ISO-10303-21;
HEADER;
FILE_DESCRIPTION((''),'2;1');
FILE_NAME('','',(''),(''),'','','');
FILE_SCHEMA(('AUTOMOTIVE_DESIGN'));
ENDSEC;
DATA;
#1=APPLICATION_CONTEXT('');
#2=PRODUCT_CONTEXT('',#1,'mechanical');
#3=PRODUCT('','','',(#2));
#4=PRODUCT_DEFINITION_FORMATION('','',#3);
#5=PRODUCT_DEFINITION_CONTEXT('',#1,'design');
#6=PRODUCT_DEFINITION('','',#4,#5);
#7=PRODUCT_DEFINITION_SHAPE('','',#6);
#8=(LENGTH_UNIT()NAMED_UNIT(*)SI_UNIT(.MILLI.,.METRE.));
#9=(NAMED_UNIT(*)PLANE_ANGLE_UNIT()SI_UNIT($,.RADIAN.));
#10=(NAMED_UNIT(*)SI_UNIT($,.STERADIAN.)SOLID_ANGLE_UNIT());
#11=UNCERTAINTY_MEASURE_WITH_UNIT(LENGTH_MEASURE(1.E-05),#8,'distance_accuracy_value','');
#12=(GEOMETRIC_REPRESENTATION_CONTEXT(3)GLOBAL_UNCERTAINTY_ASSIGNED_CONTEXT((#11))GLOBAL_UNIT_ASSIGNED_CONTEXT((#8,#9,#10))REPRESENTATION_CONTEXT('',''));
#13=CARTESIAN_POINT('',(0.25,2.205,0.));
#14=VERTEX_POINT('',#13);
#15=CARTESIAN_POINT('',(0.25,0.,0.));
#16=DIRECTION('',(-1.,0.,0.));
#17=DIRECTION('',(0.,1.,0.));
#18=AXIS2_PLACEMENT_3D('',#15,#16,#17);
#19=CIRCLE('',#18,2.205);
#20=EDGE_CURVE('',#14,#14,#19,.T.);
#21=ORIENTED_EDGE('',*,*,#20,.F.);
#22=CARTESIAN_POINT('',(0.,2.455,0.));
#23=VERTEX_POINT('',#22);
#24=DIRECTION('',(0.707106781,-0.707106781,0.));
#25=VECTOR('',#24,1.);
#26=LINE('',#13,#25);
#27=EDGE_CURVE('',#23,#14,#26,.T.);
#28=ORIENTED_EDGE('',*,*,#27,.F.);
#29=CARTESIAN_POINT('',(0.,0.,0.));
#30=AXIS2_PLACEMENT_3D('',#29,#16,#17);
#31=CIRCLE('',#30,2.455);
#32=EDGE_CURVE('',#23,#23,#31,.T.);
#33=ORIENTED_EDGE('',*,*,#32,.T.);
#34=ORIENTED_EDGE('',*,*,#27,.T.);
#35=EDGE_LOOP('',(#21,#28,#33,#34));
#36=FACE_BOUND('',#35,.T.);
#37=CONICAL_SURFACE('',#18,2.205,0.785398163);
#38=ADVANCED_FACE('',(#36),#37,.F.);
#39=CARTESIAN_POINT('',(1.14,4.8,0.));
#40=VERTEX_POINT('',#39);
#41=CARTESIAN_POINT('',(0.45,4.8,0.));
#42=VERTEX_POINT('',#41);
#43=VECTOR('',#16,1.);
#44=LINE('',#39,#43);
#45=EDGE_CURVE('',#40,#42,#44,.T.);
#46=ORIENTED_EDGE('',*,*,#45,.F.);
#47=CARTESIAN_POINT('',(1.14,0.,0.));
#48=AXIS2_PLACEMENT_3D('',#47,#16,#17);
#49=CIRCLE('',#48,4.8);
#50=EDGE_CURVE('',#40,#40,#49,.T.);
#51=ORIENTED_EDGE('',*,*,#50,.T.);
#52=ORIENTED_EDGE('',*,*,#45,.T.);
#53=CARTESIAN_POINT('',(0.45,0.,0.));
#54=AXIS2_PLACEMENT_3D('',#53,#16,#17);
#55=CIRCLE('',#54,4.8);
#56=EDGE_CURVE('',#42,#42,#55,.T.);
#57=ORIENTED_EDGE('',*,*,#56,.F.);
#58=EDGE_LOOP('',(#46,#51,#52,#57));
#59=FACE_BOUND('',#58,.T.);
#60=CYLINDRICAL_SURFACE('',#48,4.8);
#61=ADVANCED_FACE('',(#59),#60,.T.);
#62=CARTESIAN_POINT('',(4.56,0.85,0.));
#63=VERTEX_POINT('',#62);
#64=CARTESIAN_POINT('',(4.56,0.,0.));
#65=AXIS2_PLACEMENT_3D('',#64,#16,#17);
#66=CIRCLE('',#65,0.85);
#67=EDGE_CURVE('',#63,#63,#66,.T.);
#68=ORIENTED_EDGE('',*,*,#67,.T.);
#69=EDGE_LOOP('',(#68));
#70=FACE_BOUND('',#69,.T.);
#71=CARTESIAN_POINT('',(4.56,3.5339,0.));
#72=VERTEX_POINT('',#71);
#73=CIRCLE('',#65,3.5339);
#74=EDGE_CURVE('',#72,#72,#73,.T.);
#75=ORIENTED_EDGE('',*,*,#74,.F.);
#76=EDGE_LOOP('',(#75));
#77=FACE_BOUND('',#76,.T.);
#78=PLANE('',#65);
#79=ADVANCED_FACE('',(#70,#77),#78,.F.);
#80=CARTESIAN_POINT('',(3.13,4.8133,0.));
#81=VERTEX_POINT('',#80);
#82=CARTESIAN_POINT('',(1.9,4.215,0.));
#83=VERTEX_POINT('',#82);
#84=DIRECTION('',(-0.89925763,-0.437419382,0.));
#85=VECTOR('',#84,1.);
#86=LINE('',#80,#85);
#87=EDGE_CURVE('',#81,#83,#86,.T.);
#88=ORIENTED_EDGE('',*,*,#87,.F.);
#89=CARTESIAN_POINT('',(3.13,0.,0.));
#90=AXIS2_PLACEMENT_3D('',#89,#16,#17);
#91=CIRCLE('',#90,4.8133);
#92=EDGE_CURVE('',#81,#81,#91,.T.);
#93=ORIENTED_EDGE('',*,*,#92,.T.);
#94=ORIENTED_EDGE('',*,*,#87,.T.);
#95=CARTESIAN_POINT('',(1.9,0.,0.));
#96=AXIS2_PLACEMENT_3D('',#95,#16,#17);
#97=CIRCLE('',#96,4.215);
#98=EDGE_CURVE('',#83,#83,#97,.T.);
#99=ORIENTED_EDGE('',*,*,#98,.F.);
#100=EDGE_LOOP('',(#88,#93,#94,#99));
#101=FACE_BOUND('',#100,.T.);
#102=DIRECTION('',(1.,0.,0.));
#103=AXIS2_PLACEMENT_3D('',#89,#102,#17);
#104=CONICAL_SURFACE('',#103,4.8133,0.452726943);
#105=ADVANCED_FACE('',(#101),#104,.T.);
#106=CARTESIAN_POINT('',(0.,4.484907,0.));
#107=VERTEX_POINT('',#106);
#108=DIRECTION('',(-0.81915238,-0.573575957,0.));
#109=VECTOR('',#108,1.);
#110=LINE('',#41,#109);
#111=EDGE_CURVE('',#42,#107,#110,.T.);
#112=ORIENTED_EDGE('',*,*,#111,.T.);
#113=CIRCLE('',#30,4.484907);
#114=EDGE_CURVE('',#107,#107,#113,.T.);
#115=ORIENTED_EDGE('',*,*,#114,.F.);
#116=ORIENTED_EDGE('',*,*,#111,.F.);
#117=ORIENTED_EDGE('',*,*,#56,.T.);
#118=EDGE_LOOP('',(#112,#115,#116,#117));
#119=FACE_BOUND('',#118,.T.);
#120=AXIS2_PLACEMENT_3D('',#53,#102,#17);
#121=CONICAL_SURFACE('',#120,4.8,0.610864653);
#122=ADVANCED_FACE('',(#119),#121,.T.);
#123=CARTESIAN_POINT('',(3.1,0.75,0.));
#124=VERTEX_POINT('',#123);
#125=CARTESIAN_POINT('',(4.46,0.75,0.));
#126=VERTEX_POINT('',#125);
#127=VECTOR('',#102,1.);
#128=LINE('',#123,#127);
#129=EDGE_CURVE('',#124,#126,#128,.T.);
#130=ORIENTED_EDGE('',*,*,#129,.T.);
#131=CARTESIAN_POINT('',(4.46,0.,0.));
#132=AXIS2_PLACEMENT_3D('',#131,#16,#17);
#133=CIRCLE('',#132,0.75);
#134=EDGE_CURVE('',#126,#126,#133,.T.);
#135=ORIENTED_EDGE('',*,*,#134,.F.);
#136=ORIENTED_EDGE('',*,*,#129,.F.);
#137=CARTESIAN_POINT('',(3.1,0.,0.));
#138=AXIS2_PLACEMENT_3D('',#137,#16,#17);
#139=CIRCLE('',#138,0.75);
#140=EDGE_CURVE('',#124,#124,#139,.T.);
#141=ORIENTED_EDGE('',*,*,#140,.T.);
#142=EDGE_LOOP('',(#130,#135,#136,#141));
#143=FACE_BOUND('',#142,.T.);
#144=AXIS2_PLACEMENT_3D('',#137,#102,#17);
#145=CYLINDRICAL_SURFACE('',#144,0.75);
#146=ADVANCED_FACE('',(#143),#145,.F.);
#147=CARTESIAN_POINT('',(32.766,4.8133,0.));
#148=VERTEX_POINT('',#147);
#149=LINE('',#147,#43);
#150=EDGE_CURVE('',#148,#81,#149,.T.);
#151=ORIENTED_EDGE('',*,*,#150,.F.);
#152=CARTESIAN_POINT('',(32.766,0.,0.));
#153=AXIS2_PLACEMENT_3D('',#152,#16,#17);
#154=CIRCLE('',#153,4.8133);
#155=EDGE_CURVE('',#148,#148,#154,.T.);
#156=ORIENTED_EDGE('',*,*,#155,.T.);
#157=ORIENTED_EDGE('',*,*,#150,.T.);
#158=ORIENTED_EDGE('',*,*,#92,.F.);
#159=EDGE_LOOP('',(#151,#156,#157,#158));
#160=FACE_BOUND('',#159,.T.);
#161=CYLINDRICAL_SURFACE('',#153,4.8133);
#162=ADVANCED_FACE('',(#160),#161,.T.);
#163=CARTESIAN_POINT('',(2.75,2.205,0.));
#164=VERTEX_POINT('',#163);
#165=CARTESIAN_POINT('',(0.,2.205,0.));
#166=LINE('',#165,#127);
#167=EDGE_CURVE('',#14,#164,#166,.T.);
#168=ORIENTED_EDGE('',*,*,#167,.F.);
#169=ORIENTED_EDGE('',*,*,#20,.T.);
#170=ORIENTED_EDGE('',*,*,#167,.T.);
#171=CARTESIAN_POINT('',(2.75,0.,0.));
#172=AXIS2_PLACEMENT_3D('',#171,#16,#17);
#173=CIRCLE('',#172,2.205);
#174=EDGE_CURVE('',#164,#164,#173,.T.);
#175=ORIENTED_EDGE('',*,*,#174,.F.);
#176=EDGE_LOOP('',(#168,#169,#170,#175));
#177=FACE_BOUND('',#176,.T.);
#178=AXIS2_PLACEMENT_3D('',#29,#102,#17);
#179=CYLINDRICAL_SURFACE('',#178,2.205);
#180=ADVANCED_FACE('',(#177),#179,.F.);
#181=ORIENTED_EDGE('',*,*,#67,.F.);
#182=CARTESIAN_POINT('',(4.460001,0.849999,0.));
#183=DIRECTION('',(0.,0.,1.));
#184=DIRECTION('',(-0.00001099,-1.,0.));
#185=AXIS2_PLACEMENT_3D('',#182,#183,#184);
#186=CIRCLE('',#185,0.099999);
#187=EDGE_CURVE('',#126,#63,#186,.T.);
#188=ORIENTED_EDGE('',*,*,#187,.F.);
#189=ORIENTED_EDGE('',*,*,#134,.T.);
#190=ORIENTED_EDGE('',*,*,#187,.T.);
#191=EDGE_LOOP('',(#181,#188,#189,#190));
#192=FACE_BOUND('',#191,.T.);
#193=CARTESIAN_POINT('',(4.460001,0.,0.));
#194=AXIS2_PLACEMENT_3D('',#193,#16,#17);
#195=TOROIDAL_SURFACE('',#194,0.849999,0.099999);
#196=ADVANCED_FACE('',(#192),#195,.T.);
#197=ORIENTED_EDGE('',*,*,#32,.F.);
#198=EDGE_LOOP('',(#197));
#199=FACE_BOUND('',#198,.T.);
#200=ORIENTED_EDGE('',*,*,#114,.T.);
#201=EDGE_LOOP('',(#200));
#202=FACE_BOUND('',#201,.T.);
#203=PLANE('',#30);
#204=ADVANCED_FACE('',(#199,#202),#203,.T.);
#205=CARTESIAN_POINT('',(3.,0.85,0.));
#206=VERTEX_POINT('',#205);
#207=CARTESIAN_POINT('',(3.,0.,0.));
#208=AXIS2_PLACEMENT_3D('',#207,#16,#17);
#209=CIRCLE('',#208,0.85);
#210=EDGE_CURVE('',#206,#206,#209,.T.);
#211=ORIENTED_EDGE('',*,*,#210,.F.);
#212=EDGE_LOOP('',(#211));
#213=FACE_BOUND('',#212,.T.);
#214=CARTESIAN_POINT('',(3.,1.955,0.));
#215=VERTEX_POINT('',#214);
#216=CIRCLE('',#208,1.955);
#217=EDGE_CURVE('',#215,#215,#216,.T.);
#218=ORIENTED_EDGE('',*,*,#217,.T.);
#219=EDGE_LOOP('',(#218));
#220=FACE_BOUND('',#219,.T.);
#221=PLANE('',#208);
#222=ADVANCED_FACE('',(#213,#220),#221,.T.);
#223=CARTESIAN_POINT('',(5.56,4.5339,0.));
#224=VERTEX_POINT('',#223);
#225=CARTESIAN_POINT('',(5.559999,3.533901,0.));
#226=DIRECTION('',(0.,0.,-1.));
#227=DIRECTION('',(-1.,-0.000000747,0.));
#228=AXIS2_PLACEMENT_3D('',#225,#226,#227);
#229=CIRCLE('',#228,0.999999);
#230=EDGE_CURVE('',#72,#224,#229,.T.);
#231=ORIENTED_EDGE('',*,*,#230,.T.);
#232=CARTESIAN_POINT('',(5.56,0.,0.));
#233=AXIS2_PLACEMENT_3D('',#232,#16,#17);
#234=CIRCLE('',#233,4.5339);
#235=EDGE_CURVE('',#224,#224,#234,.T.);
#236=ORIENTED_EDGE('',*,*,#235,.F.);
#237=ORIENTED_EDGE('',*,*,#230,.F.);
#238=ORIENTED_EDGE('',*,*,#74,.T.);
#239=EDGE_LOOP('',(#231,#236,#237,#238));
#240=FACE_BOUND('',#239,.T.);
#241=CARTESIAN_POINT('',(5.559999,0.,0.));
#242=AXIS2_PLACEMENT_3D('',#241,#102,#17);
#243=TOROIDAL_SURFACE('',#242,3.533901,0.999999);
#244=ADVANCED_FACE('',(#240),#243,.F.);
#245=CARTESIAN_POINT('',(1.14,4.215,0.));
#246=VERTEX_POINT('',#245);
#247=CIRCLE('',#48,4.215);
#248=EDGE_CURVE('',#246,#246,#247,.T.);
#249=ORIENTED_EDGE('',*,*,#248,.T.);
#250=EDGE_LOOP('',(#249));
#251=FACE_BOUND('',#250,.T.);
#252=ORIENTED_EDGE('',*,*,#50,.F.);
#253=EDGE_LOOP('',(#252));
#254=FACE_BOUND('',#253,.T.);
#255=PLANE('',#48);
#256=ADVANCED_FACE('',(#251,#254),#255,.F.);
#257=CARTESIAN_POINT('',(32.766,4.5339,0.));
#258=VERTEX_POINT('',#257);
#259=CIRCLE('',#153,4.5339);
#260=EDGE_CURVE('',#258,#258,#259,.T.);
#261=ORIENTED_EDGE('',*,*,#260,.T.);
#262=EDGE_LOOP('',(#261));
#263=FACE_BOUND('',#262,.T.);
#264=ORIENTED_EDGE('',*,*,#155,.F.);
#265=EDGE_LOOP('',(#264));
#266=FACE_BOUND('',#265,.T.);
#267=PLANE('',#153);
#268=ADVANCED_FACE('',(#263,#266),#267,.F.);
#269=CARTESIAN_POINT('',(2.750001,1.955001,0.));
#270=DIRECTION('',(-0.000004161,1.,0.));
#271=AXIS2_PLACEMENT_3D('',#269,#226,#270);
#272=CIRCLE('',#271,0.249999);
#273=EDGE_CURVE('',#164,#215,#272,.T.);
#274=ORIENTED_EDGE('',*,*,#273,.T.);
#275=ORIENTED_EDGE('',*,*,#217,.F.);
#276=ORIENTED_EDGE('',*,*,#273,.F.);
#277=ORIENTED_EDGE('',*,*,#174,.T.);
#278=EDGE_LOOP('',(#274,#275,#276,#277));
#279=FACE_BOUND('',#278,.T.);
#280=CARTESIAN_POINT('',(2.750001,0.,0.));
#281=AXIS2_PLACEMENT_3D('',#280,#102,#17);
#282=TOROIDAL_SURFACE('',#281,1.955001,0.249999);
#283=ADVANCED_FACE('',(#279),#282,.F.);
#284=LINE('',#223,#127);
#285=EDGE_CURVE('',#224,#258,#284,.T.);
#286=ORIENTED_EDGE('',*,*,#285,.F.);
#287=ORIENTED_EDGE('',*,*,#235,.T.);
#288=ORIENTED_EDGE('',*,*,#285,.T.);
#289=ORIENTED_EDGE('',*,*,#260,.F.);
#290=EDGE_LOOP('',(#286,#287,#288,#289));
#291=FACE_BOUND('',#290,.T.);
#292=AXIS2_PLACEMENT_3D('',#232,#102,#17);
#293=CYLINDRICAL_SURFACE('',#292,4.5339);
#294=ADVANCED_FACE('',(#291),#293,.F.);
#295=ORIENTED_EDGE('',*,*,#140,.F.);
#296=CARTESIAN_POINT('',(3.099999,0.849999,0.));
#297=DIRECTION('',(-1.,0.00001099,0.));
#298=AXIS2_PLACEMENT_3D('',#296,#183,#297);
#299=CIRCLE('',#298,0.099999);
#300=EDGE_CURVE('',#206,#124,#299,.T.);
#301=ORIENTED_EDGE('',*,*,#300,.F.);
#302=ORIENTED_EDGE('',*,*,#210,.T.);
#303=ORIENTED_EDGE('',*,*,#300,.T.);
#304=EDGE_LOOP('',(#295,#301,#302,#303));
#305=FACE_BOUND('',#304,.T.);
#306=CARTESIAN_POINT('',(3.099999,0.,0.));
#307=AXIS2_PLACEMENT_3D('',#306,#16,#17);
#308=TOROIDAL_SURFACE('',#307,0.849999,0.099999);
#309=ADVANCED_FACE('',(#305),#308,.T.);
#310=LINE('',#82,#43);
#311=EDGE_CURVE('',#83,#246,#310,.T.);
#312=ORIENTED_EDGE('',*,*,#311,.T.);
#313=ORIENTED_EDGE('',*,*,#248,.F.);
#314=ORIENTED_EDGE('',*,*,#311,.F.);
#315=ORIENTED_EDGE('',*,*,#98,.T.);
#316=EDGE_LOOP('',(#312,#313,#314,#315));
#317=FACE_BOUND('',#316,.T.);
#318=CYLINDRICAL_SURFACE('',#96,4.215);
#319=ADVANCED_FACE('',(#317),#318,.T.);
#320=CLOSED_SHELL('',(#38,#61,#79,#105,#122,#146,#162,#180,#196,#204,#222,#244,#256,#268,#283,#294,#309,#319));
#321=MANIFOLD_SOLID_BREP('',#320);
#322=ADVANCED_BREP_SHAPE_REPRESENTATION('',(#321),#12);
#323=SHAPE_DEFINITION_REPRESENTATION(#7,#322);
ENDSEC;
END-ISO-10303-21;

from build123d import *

# Parameters (mm, degrees)
F2_SIZE = 0.25


with BuildPart() as f1:
    # F0 (on Top) → F1 (revolve)
    with BuildSketch(Plane.XY):
        with BuildLine():
            Line((0, 4.484907), (0, 2.205))
            Line((0, 2.205), (2.75, 2.205))
            ThreePointArc((2.75, 2.205), (2.926777, 2.131777), (3, 1.955))
            Line((3, 1.955), (3, 0.85))
            ThreePointArc((3, 0.85), (3.029289, 0.779289), (3.1, 0.75))
            Line((3.1, 0.75), (4.46, 0.75))
            ThreePointArc((4.46, 0.75), (4.530711, 0.779289), (4.56, 0.85))
            Line((4.56, 0.85), (4.56, 3.5339))
            ThreePointArc((4.56, 3.5339), (4.852893, 4.241007), (5.56, 4.5339))
            Line((5.56, 4.5339), (32.766, 4.5339))
            Line((32.766, 4.5339), (32.766, 4.8133))
            Line((32.766, 4.8133), (3.13, 4.8133))
            Line((3.13, 4.8133), (1.9, 4.215))
            Line((1.9, 4.215), (1.14, 4.215))
            Line((1.14, 4.215), (1.14, 4.8))
            Line((1.14, 4.8), (0.45, 4.8))
            Line((0.45, 4.8), (0, 4.484907))
        make_face()
    revolve(axis=Axis((16.383, 0, 0), (-1, 0, 0)))

    # F2
    f2_edges = [f1.edges().sort_by_distance(p)[0] for p in [
        (0, -2.205, 0),
    ]]
    chamfer(f2_edges, length=F2_SIZE)


solid = f1.part
